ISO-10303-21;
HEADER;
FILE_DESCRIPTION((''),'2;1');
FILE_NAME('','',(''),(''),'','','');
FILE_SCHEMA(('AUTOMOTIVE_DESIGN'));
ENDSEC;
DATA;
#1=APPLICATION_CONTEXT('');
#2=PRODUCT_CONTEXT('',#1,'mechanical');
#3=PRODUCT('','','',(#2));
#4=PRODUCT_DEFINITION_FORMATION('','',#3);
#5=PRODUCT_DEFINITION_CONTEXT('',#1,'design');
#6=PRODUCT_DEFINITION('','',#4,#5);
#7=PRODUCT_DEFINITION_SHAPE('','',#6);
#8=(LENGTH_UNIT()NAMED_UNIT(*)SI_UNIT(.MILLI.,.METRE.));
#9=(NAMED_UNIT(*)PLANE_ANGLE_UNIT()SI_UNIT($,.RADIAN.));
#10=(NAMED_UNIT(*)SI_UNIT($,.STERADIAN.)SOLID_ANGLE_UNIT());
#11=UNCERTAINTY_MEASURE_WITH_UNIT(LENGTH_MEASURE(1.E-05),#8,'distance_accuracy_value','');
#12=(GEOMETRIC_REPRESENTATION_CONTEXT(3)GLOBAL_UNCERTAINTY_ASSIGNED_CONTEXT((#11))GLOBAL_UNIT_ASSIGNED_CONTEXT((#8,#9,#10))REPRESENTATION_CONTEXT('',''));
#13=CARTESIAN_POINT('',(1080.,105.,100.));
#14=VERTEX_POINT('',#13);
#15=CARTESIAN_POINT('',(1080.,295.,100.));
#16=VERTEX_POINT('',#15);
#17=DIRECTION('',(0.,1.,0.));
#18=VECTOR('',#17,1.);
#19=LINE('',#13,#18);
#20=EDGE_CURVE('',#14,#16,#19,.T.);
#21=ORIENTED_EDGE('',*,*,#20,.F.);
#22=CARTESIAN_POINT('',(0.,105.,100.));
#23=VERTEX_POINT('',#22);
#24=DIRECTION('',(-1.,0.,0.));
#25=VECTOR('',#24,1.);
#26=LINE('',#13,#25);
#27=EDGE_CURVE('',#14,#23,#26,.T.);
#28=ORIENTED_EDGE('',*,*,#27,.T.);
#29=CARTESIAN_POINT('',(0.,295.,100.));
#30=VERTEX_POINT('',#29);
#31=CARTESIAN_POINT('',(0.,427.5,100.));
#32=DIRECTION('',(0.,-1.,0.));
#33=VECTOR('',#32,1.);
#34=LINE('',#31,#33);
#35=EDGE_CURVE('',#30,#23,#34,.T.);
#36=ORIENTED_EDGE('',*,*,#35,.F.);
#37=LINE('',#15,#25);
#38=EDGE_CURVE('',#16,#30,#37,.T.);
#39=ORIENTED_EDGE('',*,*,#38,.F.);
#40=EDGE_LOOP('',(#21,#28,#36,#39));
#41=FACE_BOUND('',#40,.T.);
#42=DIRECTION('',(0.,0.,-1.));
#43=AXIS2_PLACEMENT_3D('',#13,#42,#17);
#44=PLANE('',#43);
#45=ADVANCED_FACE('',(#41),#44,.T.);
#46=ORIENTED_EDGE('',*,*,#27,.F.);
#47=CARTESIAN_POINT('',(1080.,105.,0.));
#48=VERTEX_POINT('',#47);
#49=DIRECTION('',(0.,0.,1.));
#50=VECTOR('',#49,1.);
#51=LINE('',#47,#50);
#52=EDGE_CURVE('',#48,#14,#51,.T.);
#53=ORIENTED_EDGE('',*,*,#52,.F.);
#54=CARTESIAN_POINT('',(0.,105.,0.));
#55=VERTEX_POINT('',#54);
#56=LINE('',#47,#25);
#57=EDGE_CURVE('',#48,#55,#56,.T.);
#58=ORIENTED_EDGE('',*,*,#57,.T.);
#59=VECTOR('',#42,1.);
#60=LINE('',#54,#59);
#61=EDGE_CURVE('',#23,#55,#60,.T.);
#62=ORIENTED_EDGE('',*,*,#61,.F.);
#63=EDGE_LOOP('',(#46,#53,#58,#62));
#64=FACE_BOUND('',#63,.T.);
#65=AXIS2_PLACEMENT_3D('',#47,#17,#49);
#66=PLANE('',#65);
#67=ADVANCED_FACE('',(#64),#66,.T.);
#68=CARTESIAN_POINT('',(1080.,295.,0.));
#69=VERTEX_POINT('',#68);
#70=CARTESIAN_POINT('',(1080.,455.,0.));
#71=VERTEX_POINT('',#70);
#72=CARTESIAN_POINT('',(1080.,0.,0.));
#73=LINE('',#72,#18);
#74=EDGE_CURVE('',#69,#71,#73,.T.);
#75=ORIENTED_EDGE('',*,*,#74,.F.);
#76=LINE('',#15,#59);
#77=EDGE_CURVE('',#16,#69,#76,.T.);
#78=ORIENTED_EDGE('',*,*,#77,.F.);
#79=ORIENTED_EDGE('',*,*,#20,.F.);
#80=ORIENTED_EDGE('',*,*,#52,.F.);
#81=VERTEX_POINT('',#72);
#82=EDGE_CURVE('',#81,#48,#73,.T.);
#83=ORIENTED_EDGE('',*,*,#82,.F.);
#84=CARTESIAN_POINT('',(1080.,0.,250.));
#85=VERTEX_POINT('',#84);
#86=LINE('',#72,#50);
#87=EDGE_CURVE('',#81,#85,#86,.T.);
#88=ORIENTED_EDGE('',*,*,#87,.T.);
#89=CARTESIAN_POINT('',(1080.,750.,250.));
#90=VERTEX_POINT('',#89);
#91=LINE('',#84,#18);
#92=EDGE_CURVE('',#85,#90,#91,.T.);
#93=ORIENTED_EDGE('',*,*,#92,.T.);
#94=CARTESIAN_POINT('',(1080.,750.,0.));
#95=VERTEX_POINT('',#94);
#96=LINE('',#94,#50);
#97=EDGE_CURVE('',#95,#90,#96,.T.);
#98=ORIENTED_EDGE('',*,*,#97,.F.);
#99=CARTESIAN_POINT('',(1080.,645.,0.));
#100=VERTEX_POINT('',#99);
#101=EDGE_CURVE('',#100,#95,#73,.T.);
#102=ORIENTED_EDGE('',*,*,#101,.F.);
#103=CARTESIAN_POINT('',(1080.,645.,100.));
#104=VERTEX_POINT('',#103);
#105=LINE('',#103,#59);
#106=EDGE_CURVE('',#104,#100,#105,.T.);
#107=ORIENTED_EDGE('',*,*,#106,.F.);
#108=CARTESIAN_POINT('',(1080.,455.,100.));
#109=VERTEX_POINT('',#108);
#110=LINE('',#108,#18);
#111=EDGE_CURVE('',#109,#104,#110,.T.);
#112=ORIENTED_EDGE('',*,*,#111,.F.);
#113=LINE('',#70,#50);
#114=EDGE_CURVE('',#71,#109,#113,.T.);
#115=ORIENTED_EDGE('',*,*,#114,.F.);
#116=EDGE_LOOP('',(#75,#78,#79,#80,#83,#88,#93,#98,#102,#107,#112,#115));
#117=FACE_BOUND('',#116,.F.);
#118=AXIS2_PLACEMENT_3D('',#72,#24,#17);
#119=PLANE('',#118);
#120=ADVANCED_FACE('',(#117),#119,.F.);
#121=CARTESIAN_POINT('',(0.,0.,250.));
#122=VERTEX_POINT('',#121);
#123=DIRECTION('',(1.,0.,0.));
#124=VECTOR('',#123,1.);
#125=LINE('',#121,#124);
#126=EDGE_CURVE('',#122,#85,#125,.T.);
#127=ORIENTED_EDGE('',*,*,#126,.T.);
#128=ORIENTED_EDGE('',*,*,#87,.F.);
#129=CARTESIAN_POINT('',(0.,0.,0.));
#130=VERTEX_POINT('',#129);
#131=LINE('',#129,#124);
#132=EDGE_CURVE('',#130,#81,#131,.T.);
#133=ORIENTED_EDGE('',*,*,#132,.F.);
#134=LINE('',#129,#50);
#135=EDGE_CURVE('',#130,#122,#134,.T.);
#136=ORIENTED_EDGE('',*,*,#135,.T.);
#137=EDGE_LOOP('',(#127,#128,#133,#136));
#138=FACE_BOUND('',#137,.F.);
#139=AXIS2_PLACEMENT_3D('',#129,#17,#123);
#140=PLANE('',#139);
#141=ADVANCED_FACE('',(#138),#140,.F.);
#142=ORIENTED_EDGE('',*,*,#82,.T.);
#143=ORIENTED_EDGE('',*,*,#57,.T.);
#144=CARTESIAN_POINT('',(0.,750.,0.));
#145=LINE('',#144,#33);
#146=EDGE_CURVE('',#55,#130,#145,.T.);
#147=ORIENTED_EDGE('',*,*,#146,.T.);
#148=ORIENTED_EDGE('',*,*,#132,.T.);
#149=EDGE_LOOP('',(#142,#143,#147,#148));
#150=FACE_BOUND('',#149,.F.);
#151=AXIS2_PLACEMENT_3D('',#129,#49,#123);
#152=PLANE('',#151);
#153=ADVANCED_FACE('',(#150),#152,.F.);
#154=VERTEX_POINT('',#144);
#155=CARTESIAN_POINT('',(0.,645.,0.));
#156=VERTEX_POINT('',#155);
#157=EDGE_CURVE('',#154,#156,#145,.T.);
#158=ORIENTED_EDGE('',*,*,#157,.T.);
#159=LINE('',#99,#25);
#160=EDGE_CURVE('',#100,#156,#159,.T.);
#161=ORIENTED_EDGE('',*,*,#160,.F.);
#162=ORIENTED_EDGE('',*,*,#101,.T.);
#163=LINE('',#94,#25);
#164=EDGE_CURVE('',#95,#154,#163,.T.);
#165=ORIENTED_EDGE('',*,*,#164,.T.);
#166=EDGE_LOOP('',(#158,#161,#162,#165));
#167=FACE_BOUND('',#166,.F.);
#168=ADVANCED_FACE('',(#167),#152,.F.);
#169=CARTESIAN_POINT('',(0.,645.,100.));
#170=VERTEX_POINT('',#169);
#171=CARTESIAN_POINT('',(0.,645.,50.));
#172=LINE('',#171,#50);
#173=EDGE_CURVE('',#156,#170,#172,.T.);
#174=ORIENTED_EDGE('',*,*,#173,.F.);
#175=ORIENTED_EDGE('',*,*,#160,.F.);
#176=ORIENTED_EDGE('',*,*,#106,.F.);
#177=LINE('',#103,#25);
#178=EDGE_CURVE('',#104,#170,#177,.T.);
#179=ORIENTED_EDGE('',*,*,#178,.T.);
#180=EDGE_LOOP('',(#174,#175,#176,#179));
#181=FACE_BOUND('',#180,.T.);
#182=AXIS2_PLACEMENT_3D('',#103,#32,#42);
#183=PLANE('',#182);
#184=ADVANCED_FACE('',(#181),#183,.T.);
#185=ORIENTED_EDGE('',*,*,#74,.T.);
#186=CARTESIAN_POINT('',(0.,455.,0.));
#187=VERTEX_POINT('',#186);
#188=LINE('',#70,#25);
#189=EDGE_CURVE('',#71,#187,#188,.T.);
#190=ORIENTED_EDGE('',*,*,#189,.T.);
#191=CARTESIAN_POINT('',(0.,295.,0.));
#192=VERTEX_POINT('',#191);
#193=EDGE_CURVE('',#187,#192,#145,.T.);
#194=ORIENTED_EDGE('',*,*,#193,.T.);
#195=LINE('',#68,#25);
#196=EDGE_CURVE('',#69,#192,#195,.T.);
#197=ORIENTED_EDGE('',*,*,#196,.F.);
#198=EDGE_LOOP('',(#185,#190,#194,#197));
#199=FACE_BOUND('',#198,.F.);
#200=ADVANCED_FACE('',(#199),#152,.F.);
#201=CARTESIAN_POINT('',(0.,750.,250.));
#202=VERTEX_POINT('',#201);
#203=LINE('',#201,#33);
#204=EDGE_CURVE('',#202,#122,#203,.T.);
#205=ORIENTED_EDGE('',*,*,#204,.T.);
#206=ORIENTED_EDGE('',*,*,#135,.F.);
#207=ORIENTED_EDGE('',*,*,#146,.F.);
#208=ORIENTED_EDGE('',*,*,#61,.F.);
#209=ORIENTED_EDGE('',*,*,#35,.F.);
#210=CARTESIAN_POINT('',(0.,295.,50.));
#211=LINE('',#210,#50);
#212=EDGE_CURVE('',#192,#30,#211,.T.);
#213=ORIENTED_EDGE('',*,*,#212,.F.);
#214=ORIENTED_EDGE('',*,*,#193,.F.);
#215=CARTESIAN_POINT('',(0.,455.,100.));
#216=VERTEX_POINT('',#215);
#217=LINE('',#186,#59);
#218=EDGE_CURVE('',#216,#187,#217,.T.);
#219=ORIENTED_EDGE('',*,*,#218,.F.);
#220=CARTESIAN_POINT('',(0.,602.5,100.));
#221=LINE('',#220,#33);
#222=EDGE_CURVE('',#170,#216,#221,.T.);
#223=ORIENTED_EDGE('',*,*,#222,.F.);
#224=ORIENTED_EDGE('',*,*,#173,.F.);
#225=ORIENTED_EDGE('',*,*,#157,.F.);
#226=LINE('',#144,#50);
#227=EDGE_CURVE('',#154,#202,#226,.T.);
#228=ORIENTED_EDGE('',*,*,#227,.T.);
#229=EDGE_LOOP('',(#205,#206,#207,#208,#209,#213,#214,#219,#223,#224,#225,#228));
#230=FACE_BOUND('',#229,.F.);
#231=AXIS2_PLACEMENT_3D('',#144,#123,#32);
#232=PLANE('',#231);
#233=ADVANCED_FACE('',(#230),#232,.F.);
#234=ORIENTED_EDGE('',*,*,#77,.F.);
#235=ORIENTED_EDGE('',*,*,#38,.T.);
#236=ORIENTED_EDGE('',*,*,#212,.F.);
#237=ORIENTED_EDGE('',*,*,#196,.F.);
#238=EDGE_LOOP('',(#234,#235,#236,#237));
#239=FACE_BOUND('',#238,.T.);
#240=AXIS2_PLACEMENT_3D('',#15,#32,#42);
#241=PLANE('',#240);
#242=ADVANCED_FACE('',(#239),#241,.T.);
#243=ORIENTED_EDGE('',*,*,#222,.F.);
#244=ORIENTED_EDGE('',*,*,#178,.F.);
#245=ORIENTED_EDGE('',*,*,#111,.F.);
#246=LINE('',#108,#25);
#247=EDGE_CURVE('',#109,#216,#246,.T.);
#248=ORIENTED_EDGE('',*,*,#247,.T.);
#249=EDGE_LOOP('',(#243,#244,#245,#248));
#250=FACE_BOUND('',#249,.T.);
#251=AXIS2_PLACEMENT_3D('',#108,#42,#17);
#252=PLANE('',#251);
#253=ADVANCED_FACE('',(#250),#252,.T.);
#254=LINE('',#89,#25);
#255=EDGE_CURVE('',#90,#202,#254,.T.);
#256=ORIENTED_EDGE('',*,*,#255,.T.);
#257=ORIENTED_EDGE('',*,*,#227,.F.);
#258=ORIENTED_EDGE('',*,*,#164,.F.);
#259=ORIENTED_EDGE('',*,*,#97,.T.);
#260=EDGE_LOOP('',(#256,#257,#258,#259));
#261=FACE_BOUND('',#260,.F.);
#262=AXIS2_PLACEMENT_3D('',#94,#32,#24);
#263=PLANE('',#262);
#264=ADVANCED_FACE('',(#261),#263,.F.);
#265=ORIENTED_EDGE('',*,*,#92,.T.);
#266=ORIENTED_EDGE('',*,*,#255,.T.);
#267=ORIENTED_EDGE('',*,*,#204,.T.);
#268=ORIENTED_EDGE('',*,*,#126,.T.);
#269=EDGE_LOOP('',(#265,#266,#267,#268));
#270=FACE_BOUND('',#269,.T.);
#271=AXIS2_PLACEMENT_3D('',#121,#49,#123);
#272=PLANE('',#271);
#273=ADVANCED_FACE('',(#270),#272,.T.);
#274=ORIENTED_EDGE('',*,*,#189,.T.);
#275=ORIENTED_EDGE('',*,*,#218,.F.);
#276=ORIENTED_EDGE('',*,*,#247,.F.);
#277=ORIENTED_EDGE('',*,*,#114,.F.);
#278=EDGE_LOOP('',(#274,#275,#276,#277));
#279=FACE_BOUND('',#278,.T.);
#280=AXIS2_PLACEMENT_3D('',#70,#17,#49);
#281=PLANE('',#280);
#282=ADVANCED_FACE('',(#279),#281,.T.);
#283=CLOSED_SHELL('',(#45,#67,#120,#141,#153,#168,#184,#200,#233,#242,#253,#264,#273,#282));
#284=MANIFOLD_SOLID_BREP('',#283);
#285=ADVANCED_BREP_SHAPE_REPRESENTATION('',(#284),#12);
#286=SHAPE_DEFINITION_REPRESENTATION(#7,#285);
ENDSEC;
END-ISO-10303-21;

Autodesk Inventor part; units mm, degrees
ref_plane "YZ Plane" through (0, 0, 0) normal (1, 0, 0) x (0, 1, 0)
ref_plane "XZ Plane" through (0, 0, 0) normal (0, 1, 0) x (-1, 0, 0)
ref_plane "XY Plane" through (0, 0, 0) normal (0, 0, 1) x (1, 0, 0)
sketch "Wireframe" plane through (0, 0, 0) normal (0, 0, 1) x (1, 0, 0)
  line L0 (0, 0) -> (1080, 0)
  line L1 (1080, 0) -> (1080, 750)
  line L2 (1080, 750) -> (0, 750)
  line L3 (0, 750) -> (0, 0)
  dimension "d0" = 1080
  dimension "d1" = 750
extrude "Extrusion1" add sketch "Wireframe" along normal blind 250
sketch "Sketch4" plane through (1080, 0, 0) normal (1, 0, 0) x (0, 0, -1)
  line L0 (0, 0) -> (0, 750) projected
  line L1 (0, 0) -> (0, 149.657)
  line L2 (0, 0) -> (0, 105)
  line L3 (0, 0) -> (105, 0) construction
  line L4 (0, 105) -> (-100, 105)
  line L5 (-100, 105) -> (-100, 295)
  line L6 (-100, 295) -> (0, 295)
  line L7 (0, 295) -> (0, 455)
  line L8 (0, 455) -> (-100, 455)
  line L9 (-100, 455) -> (-100, 645)
  line L10 (-100, 645) -> (0, 645)
  line L11 (0, 645) -> (0, 750)
  dimension "d8" = 105
  dimension "d9" = 90
  dimension "d10" = 100
  dimension "d11" = 190
  dimension "d12" = 100
  dimension "d13" = 160
  dimension "d14" = 100
  dimension "d15" = 190
  dimension "d16" = 100
extrude "Extrusion2" cut sketch "Sketch4" against normal up to next contours L8 L9 L10 L0
sketch "Sketch5" plane through (1080, 0, 250) normal (1, 0, 0) x (0, 0, -1)
  line L0 (250, 0) -> (250, 105)
  line L1 (250, 0) -> (250, 455) projected
  line L2 (250, 105) -> (150, 105)
  line L3 (150, 105) -> (150, 295)
  line L4 (150, 295) -> (250, 295)
  dimension "d19" = 105
  dimension "d20" = 100
  dimension "d21" = 190
  dimension "d22" = 100
extrude "Extrusion3" cut sketch "Sketch5" against normal up to next
properties part number "GraniteEpoxyBase" material "Concrete"
